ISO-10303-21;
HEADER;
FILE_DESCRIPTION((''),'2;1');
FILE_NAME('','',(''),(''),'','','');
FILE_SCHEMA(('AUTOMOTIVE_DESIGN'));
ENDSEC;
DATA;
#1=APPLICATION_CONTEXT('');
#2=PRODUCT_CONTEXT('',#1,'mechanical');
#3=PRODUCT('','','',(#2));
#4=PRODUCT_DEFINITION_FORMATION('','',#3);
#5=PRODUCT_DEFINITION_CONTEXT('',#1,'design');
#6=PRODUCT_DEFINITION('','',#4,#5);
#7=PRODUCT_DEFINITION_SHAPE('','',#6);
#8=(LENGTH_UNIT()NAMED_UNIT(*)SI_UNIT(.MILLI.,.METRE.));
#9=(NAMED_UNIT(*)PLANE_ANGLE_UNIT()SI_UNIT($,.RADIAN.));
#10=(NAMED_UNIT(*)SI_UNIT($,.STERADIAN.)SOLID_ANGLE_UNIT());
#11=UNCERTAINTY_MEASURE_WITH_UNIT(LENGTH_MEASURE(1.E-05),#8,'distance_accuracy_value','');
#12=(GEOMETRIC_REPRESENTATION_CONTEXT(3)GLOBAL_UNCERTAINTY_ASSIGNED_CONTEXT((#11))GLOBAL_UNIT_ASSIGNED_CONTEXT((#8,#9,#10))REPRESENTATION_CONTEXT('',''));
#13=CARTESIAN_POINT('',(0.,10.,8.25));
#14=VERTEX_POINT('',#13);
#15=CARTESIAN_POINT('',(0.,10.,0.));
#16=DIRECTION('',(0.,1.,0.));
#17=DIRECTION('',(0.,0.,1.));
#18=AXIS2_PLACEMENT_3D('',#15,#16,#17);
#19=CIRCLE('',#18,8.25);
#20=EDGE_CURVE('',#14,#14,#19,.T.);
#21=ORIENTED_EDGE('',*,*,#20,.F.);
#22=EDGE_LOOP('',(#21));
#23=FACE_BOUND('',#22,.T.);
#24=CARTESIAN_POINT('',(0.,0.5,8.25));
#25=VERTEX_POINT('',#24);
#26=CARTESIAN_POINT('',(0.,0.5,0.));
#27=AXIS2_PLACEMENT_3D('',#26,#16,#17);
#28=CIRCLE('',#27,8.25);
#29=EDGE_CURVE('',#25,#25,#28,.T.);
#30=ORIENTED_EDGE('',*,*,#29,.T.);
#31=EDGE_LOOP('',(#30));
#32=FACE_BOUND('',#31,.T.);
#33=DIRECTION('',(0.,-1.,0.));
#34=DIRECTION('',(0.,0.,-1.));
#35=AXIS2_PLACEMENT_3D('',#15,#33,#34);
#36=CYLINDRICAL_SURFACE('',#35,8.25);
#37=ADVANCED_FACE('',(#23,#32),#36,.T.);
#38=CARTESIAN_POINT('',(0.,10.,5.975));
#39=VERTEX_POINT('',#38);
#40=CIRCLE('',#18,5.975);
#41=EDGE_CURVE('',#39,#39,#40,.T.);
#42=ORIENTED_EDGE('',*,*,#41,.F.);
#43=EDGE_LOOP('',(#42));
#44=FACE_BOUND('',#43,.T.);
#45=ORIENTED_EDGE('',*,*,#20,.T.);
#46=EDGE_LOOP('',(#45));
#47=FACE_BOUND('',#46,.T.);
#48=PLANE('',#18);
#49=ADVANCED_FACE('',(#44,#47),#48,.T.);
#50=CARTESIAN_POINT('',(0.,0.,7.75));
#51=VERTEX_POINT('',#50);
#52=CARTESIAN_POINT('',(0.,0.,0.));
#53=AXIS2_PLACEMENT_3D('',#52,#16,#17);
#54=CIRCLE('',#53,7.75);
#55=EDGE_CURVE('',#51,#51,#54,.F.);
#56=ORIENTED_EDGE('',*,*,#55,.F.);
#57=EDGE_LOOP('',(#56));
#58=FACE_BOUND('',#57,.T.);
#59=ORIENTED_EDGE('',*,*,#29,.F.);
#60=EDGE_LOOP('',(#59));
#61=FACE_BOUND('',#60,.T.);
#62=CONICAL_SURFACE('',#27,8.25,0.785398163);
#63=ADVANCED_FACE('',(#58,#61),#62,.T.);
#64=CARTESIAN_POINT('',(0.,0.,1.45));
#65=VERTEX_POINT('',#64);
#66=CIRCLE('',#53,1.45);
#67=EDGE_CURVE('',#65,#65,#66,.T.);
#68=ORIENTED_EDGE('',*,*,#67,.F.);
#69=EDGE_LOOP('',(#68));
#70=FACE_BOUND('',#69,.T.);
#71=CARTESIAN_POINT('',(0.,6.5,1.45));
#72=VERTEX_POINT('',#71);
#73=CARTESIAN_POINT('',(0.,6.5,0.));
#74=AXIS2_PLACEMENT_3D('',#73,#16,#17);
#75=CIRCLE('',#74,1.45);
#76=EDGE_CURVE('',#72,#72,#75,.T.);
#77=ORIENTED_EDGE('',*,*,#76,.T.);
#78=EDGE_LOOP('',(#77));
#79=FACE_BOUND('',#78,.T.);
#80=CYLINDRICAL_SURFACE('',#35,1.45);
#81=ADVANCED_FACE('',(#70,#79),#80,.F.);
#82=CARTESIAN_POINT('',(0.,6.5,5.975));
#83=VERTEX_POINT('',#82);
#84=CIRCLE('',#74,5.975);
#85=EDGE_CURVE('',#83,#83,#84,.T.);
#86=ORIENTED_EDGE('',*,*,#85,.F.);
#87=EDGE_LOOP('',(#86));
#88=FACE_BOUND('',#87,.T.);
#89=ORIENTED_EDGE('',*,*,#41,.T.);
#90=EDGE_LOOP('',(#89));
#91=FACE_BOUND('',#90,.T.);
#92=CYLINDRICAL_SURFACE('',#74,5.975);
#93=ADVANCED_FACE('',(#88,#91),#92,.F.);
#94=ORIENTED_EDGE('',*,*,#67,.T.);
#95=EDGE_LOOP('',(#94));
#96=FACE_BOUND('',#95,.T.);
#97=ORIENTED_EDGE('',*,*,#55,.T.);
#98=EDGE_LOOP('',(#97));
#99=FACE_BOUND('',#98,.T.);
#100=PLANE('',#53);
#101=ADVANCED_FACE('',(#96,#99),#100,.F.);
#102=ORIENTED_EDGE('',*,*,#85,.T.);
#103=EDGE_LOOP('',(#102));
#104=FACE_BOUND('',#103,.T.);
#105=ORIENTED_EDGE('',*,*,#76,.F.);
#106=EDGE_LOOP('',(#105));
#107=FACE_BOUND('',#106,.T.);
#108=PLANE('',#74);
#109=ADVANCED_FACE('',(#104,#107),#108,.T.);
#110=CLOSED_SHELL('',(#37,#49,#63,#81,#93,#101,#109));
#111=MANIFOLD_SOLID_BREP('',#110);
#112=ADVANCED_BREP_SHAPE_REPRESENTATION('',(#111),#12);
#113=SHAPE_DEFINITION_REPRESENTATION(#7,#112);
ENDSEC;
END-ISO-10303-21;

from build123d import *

# Parameters (mm, degrees)
SKETCH1_R           = 8.25
SKETCH1_R_2         = 1.45
BOSS_EXTRUDE1_DEPTH = 10
SKETCH2_R           = 5.975
CUT_EXTRUDE1_DEPTH  = 3.5
CHAMFER1_SIZE       = 0.5


with BuildPart() as part:
    # Sketch1 → Boss-Extrude1 (new body)
    with BuildSketch(Plane(origin=(0, 0, 0), x_dir=(1, 0, 0), z_dir=(0, 1, 0))):
        with Locations(Location((0, 0, 0), (0, 0, 270))):
            Circle(SKETCH1_R)
        with Locations(Location((0, 0, 0), (0, 0, 270))):
            Circle(SKETCH1_R_2, mode=Mode.SUBTRACT)
    extrude(amount=BOSS_EXTRUDE1_DEPTH)

    # Sketch2 → Cut-Extrude1 (cut)
    with BuildSketch(Plane(origin=(0, 10, 0), x_dir=(1, 0, 0), z_dir=(0, 1, 0))):
        with Locations(Location((0, 0, 0), (0, 0, 270))):
            Circle(SKETCH2_R)
    extrude(amount=-CUT_EXTRUDE1_DEPTH, mode=Mode.SUBTRACT)

    # Chamfer1
    chamfer1_edges = [part.edges().sort_by_distance(p)[0] for p in [
        (0, 0, -8.25),
    ]]
    chamfer(chamfer1_edges, length=CHAMFER1_SIZE)


solid = part.part
